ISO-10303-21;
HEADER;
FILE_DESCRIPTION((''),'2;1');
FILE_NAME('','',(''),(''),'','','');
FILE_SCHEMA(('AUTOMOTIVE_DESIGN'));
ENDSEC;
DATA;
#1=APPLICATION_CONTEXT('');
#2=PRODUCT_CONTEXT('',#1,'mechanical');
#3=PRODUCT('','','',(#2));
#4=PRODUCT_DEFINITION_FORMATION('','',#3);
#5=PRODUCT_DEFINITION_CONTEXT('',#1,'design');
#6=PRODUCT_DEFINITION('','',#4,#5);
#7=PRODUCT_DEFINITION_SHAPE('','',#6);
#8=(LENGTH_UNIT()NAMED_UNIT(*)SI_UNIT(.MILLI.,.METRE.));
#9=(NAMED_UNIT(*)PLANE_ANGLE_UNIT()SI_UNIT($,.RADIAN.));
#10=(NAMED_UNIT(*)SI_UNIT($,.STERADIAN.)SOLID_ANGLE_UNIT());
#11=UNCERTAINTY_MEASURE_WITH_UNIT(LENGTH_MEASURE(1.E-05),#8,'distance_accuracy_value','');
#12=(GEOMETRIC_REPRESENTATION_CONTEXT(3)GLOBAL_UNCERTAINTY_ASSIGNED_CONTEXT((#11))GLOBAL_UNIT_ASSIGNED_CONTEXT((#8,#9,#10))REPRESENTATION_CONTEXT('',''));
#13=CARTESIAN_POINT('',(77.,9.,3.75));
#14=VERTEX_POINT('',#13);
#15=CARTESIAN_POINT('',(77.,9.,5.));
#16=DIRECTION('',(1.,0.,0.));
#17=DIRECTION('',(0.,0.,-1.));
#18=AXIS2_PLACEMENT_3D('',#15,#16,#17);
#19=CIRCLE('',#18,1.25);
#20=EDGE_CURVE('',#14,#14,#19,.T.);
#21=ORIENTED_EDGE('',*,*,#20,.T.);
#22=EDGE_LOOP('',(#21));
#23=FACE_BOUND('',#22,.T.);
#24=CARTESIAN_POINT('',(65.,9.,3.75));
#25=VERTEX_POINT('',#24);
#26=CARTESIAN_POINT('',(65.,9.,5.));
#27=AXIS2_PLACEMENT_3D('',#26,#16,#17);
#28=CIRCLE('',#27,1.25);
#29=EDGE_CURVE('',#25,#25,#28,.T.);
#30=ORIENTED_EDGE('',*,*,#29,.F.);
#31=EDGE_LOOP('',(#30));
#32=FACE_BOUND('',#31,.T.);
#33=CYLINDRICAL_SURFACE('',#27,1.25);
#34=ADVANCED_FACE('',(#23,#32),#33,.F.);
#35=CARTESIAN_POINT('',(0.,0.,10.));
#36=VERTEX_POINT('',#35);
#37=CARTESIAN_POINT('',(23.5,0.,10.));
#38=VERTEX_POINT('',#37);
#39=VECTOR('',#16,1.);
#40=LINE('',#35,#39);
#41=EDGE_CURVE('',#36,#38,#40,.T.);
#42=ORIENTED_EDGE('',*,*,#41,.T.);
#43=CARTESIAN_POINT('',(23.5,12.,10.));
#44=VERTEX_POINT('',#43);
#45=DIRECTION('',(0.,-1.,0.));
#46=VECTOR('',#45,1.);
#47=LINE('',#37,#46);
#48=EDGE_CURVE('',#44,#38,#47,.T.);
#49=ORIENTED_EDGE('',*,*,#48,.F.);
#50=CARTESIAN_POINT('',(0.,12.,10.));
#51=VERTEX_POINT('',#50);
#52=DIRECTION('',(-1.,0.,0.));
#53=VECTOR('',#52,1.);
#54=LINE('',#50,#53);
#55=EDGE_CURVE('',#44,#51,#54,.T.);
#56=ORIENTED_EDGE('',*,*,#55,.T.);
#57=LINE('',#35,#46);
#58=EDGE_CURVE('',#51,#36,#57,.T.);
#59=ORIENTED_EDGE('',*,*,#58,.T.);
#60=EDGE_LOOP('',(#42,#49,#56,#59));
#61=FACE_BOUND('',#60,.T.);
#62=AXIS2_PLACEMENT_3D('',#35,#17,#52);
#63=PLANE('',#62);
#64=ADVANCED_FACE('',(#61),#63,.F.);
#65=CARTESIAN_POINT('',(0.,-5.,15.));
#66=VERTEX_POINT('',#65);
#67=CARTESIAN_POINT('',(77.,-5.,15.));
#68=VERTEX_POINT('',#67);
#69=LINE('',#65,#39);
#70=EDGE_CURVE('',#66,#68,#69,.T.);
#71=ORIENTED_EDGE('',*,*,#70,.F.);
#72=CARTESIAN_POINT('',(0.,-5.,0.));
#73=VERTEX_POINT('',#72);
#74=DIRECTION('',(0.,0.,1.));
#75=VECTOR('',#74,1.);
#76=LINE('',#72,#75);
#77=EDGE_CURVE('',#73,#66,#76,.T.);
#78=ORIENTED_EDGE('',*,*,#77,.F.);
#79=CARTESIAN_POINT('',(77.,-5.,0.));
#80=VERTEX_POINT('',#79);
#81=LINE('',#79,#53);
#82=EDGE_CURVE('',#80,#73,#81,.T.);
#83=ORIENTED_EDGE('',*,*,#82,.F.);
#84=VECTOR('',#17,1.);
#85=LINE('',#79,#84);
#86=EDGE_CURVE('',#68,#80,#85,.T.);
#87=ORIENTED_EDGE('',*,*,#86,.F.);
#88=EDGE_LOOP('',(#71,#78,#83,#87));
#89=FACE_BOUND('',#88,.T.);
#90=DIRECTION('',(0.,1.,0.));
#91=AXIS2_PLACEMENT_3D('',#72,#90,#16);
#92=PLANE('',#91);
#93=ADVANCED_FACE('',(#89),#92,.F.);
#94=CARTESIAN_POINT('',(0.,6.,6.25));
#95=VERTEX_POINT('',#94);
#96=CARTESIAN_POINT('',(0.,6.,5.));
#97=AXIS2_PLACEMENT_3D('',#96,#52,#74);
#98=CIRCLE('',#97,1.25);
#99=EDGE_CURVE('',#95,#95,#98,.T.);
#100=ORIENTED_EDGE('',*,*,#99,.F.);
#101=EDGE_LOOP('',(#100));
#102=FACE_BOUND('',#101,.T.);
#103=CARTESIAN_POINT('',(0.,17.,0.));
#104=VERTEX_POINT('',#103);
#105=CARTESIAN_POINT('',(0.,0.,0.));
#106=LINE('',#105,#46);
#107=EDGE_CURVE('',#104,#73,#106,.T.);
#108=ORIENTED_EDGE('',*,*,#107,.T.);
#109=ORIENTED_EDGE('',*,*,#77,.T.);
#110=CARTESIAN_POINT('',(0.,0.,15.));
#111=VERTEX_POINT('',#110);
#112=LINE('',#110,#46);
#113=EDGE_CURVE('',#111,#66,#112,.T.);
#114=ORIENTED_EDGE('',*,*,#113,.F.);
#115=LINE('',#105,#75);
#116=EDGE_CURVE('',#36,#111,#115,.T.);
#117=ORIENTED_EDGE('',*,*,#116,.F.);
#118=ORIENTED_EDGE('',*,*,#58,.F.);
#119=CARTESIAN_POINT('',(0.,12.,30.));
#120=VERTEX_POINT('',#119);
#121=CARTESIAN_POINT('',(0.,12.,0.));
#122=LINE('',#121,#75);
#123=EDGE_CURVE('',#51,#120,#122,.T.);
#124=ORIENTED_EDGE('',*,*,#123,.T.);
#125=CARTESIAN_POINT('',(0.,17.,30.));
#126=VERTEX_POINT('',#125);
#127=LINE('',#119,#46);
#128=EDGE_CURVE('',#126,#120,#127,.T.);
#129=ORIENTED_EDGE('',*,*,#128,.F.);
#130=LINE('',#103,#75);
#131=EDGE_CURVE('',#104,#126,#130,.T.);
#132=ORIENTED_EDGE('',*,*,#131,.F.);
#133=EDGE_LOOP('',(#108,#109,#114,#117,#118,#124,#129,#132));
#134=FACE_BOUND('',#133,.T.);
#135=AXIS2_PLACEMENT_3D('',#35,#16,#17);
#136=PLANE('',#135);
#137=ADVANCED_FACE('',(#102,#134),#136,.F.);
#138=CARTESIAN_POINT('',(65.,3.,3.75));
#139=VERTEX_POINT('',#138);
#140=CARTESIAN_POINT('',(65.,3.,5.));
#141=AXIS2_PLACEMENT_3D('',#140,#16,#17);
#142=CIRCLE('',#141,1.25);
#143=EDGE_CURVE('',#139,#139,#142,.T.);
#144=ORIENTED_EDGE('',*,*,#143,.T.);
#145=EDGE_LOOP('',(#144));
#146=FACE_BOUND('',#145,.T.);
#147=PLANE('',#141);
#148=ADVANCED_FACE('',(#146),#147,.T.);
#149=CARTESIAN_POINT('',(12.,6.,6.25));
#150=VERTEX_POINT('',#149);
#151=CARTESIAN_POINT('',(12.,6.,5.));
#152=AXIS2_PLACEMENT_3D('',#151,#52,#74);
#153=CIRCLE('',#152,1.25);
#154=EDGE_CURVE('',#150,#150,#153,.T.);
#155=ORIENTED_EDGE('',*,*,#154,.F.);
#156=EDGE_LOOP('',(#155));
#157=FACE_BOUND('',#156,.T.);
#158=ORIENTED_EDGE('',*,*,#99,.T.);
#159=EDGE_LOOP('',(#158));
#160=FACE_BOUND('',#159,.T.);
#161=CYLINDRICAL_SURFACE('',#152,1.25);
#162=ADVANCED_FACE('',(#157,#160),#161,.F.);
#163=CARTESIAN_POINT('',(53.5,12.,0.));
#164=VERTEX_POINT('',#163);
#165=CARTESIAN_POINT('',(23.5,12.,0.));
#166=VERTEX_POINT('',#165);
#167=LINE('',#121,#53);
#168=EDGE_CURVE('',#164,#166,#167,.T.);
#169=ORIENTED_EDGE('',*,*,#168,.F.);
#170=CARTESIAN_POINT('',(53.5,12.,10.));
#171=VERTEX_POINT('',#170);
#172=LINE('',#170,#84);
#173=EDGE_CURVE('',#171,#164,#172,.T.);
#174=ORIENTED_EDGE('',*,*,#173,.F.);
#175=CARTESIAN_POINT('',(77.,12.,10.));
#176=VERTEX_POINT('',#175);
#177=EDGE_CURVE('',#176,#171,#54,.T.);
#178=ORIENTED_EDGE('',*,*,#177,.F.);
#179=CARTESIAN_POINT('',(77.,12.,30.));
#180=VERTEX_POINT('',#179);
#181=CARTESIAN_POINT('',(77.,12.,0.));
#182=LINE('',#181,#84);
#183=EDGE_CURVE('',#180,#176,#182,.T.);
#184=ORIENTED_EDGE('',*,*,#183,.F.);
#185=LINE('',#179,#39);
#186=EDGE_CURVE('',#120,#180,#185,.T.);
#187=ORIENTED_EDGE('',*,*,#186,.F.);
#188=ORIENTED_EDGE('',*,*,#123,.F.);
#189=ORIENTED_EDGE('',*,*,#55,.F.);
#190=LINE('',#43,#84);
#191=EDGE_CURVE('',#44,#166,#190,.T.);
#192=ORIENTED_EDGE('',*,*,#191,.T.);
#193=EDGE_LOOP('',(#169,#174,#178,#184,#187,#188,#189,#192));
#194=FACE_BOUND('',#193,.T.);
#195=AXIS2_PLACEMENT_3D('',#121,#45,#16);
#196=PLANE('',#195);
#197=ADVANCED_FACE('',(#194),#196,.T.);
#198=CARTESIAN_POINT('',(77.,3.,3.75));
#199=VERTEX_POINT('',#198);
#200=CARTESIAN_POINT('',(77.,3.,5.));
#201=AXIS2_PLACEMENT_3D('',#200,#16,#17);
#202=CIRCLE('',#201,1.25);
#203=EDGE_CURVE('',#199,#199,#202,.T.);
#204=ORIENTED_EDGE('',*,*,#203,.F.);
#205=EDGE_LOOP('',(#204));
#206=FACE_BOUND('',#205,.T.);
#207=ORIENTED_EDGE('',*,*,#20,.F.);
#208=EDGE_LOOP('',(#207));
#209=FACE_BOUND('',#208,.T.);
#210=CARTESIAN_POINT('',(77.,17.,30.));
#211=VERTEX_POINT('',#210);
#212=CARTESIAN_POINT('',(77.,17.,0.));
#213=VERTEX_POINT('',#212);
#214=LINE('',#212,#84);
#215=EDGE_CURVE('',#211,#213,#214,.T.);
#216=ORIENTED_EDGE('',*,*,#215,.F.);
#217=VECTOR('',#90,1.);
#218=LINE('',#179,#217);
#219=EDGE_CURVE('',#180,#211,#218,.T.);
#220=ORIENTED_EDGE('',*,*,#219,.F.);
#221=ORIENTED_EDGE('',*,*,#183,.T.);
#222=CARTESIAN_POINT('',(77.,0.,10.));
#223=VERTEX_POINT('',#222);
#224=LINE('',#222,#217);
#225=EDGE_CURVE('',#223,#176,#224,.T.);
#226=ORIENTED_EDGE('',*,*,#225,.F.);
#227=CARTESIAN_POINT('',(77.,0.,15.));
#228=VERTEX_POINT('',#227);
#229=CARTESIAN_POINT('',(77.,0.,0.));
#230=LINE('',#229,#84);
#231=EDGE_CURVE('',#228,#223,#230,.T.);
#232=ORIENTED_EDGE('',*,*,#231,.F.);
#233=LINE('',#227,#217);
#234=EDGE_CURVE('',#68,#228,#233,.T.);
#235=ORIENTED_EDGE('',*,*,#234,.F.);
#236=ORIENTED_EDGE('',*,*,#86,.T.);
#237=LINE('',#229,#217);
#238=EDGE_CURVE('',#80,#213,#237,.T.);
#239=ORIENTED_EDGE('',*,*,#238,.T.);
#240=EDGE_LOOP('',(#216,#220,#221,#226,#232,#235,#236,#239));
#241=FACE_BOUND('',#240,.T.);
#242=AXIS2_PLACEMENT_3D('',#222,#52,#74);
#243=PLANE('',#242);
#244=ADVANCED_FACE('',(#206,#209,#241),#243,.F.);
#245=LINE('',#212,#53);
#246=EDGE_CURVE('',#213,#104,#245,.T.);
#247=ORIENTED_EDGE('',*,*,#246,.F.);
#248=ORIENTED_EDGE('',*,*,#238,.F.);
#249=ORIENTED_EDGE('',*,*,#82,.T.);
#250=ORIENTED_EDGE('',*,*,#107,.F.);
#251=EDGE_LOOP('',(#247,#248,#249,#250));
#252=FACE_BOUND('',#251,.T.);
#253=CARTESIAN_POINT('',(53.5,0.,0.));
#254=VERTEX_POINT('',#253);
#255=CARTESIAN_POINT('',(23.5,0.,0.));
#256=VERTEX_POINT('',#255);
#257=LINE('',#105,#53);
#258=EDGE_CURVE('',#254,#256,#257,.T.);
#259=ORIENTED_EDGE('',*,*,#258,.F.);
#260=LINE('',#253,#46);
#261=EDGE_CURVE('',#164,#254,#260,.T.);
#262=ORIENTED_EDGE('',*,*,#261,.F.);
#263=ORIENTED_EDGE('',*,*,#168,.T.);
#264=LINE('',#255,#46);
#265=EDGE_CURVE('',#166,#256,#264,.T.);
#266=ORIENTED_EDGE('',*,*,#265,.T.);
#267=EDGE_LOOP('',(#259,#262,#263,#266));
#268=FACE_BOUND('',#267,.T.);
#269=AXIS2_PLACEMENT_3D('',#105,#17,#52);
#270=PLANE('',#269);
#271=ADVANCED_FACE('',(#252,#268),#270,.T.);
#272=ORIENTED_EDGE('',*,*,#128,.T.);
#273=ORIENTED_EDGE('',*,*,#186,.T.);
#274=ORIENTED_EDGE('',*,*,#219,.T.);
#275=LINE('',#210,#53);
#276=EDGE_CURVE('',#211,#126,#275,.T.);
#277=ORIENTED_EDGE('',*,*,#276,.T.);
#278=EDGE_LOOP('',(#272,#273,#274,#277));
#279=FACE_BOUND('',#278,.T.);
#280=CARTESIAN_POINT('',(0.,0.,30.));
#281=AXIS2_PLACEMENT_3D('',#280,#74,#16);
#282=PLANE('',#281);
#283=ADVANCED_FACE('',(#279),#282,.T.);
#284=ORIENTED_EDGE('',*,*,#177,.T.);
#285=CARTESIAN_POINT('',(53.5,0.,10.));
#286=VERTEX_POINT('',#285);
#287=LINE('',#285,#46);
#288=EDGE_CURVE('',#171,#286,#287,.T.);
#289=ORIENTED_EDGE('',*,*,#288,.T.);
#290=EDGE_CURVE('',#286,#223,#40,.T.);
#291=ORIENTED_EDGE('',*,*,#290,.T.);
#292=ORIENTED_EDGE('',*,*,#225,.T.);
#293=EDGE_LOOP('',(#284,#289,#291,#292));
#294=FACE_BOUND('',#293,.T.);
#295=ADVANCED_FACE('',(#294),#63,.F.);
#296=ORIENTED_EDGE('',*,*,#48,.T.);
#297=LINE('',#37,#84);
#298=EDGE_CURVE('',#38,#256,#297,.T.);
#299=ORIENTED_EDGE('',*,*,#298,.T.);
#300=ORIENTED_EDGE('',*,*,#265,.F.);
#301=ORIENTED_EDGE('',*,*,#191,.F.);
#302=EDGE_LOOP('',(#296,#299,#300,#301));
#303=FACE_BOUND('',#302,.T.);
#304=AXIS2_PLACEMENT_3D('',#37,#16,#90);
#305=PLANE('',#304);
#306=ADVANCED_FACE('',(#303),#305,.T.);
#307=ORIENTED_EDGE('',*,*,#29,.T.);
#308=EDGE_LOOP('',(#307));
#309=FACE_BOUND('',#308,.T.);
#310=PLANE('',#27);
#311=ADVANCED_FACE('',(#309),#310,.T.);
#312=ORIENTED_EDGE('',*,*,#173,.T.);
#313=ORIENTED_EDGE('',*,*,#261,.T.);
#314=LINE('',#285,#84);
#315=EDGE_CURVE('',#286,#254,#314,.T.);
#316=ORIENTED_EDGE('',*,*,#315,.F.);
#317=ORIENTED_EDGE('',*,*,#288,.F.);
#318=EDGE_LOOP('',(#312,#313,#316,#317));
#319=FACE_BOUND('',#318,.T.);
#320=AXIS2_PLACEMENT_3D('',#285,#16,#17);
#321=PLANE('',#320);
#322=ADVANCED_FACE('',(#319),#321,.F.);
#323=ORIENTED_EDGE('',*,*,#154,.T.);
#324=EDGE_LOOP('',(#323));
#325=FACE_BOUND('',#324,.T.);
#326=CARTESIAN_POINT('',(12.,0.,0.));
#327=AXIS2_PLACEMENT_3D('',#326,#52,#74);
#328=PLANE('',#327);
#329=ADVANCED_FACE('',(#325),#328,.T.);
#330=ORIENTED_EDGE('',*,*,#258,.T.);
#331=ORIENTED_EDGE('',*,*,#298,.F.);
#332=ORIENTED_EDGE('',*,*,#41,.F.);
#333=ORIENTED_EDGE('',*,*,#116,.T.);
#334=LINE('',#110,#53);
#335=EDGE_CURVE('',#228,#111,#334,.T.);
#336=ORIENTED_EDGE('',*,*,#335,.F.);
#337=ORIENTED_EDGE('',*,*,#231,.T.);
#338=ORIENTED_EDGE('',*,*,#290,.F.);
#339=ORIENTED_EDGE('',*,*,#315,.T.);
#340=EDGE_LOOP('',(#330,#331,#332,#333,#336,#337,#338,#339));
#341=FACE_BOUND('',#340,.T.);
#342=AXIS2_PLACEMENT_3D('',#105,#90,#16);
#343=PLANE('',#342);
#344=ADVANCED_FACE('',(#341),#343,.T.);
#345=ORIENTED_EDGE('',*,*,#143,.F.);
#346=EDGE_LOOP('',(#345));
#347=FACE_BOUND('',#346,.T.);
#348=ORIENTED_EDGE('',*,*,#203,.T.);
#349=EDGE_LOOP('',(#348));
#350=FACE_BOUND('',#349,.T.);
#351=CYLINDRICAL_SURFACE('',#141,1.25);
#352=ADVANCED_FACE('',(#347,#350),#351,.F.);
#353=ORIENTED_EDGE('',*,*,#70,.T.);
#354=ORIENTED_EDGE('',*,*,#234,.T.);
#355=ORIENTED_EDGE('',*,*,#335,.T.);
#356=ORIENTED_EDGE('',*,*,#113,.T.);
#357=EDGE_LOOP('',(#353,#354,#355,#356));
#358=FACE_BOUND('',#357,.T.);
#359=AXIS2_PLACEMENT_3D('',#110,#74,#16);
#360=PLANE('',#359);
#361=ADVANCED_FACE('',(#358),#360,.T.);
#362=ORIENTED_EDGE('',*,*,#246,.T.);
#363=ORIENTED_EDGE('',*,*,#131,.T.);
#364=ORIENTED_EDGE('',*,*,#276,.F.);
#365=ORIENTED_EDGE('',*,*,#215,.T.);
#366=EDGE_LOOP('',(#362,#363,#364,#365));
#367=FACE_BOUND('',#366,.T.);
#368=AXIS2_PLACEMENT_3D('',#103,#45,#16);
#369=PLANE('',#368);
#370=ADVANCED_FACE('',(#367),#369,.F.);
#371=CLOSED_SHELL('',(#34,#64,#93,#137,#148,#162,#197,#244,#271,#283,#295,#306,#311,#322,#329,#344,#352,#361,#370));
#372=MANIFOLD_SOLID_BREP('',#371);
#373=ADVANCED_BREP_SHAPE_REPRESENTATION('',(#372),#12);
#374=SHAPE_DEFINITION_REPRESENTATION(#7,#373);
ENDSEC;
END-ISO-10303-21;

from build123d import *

# Parameters (mm, degrees)
SKETCH1_W           = 77
SKETCH1_H           = 12
BOSS_EXTRUDE1_DEPTH = 10
SKETCH2_R           = 1.25
CUT_EXTRUDE1_DEPTH  = 12
SKETCH3_W           = 77
SKETCH3_H           = 20
BOSS_EXTRUDE2_DEPTH = 5
SKETCH4_W           = 30
SKETCH4_H           = 6
CUT_EXTRUDE2_DEPTH  = 10
SKETCH5_W           = 78
SKETCH5_H           = 5
CUT_EXTRUDE3_DEPTH  = 5
CUT_EXTRUDE4_DEPTH  = 12
SKETCH8_W           = 77
SKETCH8_H           = 5
BOSS_EXTRUDE3_DEPTH = 10


with BuildPart() as part:
    # Sketch1 → Boss-Extrude1 (new body)
    with BuildSketch(Plane.XY):
        with Locations((38.5, 6)):
            Rectangle(SKETCH1_W, SKETCH1_H)
    extrude(amount=BOSS_EXTRUDE1_DEPTH)

    # Sketch2 → Cut-Extrude1 (cut)
    with BuildSketch(Plane(origin=(77, 0, 0), x_dir=(0, 0, -1), z_dir=(1, 0, 0))):
        with Locations((-5, 3)):
            Circle(SKETCH2_R)
        with Locations((-5, 9)):
            Circle(SKETCH2_R)
    extrude(amount=-CUT_EXTRUDE1_DEPTH, mode=Mode.SUBTRACT)

    # Sketch3 → Boss-Extrude2 (add)
    with BuildSketch(Plane(origin=(0, 12, 0), x_dir=(1, 0, 0), z_dir=(0, 1, 0))):
        with Locations((38.5, -10)):
            Rectangle(SKETCH3_W, SKETCH3_H)
    boss_extrude2 = extrude(amount=BOSS_EXTRUDE2_DEPTH)

    # Mirror2: Boss-Extrude2 across plane
    add(boss_extrude2.mirror(Plane(origin=(0, 6, 0), x_dir=(0, 0, 1), z_dir=(0, -1, 0))))

    # Sketch4 → Cut-Extrude2 (cut)
    with BuildSketch(Plane(origin=(0, 0, 0), x_dir=(-1, 0, 0), z_dir=(0, 0, -1))):
        with Locations((-38.5, 9)):
            Rectangle(SKETCH4_W, SKETCH4_H)
        with Locations((-38.5, 3)):
            Rectangle(SKETCH4_W, SKETCH4_H)
    extrude(amount=-CUT_EXTRUDE2_DEPTH, mode=Mode.SUBTRACT)

    # Sketch5 → Cut-Extrude3 (cut)
    with BuildSketch(Plane.XY.offset(20)):
        with Locations((38.5, -2.5)):
            Rectangle(SKETCH5_W, SKETCH5_H)
    extrude(amount=-CUT_EXTRUDE3_DEPTH, mode=Mode.SUBTRACT)

    # Sketch6 → Cut-Extrude4 (cut)
    with BuildSketch(Plane.ZY):
        with BuildLine():
            ThreePointArc((3.75, 6), (5, 4.75), (6.25, 6))
            Line((6.25, 6), (3.75, 6))
        make_face()
        with BuildLine():
            Line((3.75, 6), (6.25, 6))
            ThreePointArc((6.25, 6), (5, 7.25), (3.75, 6))
        make_face()
    extrude(amount=-CUT_EXTRUDE4_DEPTH, mode=Mode.SUBTRACT)

    # Sketch8 → Boss-Extrude3 (add)
    with BuildSketch(Plane.XY.offset(20)):
        with Locations((38.5, 14.5)):
            Rectangle(SKETCH8_W, SKETCH8_H)
    extrude(amount=BOSS_EXTRUDE3_DEPTH)


solid = part.part
